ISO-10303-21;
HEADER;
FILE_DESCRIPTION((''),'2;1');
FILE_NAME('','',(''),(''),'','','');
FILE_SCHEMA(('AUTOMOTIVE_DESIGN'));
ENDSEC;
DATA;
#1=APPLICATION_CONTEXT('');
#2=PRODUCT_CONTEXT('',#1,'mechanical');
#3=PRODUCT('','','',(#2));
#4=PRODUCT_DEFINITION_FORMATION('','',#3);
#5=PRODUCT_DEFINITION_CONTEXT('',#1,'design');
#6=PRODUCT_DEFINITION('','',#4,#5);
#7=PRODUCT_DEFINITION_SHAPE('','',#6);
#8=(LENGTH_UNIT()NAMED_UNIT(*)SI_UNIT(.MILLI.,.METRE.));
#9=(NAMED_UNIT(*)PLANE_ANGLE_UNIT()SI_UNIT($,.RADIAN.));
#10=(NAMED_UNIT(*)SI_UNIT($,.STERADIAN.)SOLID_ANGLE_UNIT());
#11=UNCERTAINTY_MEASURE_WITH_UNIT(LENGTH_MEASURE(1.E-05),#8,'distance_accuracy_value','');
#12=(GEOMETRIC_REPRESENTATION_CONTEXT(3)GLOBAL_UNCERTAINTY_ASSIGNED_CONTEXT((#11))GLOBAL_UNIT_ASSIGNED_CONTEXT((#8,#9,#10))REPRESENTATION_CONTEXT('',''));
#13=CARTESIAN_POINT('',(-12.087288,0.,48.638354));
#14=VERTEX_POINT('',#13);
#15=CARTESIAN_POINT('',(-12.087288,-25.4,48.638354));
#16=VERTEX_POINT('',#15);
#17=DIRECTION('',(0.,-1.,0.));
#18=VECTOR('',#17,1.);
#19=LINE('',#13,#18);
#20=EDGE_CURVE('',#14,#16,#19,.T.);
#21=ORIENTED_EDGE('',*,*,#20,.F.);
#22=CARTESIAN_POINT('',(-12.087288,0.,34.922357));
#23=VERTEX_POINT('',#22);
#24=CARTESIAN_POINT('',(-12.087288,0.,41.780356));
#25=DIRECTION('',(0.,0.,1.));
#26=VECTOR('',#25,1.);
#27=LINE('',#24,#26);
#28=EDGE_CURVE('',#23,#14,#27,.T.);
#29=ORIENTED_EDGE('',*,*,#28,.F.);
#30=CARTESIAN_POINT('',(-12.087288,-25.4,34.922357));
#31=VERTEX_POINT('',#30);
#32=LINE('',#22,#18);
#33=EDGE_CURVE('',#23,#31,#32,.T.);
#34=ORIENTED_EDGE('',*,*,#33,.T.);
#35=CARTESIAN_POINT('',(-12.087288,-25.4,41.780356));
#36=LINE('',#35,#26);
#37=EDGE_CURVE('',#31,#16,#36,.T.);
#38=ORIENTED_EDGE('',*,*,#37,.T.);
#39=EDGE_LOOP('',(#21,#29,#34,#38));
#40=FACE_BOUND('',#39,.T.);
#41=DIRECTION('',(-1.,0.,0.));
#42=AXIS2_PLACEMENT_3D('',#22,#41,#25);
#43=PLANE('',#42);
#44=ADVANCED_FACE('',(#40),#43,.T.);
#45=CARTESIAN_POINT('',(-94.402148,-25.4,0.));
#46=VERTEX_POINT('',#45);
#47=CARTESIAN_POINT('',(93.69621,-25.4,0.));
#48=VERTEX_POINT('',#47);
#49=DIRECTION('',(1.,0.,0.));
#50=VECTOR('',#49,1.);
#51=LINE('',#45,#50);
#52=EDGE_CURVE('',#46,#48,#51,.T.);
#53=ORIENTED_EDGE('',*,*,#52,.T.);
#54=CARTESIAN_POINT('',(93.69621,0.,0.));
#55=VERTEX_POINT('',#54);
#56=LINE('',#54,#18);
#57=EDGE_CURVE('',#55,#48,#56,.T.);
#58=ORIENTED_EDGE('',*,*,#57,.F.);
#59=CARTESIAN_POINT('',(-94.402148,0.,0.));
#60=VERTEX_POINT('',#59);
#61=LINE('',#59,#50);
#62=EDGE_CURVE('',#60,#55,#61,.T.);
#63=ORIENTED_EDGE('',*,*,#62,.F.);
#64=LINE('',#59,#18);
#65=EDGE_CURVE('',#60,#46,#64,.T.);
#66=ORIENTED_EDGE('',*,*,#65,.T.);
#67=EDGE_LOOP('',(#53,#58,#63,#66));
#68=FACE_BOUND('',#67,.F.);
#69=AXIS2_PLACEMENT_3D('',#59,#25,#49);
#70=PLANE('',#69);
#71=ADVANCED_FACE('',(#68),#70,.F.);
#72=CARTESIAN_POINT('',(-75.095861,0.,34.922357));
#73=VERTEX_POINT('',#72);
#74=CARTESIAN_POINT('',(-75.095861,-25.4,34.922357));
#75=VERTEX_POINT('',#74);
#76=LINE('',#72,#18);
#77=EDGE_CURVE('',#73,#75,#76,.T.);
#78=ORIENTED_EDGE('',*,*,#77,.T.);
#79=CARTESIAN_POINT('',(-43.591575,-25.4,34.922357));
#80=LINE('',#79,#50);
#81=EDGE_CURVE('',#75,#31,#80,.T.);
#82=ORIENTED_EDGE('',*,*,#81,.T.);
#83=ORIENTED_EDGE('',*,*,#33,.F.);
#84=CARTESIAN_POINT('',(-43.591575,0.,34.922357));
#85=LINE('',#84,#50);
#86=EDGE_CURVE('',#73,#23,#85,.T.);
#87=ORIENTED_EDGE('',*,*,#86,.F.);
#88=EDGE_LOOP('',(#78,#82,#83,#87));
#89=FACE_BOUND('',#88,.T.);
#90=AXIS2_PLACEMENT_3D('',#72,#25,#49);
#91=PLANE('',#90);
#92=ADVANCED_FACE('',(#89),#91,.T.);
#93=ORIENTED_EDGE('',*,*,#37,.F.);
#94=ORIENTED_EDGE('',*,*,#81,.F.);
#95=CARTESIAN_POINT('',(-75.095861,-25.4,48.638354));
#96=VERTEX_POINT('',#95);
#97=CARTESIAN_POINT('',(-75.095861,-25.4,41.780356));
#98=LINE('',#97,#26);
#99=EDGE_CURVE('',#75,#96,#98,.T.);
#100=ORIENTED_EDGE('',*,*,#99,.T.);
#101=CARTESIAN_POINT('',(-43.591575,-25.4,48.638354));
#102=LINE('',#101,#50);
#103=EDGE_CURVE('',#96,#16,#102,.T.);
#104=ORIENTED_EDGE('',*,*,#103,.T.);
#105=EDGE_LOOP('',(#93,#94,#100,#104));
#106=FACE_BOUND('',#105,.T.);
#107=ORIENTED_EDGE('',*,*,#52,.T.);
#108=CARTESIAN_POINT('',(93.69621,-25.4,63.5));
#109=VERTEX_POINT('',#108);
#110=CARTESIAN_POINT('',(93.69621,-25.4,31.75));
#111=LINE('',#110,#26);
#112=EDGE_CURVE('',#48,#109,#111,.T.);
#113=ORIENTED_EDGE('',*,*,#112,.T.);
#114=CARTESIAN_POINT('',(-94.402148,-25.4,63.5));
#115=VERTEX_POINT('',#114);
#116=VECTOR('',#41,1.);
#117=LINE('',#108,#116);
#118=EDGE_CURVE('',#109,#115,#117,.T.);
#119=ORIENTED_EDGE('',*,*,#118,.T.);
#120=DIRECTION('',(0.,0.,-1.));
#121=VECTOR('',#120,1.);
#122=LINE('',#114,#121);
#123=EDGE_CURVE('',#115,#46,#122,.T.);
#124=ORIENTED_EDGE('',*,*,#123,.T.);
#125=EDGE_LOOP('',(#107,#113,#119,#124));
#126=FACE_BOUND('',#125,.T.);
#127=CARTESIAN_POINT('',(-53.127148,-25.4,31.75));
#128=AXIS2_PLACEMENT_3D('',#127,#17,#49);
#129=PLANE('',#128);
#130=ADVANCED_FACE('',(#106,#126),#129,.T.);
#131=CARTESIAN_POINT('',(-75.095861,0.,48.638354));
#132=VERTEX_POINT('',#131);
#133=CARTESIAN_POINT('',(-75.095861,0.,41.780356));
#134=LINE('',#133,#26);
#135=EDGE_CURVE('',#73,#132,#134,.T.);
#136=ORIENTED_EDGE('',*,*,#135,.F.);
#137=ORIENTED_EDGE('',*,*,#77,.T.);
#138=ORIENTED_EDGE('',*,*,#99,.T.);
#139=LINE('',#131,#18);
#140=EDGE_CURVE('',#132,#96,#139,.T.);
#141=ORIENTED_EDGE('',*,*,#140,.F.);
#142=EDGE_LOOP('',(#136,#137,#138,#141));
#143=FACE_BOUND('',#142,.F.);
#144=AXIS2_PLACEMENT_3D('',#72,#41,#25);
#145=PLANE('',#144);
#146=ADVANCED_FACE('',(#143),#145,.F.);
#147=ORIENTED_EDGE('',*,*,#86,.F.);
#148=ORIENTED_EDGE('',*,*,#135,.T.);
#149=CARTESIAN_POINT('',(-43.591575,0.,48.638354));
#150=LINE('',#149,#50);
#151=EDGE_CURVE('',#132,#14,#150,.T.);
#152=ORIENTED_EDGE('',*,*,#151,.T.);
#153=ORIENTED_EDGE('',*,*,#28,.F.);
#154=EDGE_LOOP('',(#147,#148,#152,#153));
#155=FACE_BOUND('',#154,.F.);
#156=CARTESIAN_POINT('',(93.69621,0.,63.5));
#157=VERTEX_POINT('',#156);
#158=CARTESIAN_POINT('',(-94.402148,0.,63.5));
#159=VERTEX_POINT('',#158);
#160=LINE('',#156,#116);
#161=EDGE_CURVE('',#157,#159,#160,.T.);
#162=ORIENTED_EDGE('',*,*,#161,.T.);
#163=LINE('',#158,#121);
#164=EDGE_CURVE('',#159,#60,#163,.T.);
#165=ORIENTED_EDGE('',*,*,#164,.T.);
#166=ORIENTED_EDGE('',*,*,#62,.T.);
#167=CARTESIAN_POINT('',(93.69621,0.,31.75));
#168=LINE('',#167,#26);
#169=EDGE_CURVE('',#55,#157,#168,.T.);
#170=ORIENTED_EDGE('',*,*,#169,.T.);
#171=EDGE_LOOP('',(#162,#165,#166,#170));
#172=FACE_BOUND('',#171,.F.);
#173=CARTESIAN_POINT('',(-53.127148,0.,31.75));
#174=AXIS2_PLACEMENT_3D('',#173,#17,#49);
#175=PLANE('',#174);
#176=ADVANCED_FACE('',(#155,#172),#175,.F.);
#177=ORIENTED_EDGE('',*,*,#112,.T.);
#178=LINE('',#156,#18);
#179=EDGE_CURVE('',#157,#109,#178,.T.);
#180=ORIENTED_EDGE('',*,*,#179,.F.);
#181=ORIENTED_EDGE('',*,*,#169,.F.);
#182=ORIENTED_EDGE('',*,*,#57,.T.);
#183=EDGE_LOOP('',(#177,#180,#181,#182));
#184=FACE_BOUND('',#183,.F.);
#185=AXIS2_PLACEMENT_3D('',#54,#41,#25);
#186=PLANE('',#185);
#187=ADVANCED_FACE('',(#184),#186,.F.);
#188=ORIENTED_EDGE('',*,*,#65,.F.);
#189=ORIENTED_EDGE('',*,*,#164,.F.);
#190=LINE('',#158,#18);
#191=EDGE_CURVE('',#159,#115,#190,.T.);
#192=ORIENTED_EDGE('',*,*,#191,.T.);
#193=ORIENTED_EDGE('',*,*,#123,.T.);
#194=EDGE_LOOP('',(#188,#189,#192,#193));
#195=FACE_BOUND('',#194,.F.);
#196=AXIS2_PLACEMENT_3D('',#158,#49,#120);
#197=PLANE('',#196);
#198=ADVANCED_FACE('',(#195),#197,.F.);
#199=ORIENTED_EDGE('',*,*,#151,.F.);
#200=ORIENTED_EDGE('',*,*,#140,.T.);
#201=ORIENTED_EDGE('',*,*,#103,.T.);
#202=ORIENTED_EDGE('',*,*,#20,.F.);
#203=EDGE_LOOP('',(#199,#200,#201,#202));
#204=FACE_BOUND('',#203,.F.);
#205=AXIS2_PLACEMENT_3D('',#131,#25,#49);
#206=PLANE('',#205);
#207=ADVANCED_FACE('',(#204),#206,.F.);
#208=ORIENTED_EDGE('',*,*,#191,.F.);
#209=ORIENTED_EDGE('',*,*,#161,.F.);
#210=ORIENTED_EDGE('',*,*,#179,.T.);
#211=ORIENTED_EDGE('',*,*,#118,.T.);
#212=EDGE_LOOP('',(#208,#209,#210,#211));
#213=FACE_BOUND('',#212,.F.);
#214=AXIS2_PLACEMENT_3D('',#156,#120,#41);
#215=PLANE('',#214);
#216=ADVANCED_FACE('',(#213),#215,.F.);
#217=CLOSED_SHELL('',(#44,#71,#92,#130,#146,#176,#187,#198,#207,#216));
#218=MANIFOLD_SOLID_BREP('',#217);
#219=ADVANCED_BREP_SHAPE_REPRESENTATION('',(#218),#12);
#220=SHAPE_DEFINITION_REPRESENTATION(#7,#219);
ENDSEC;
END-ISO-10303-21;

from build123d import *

# Parameters (mm, degrees)
F0_W     = 63.008573
F0_H     = 13.715997
F0_W_2   = 105.548358
F0_H_2   = 63.5
F1_DEPTH = 25.4


with BuildPart() as f1:
    # F0 (on Front) → F1 (new body)
    with BuildSketch(Plane.XZ):
        Polygon((-94.402148, 63.5), (-94.402148, 0), (-75.095862, 0), (-56.045862, 0), (-11.852148, 0), (-11.852148, 63.5), align=None)
        with Locations((-43.591575, 41.780356)):
            Rectangle(F0_W, F0_H, mode=Mode.SUBTRACT)
        with Locations((40.922031, 31.75)):
            Rectangle(F0_W_2, F0_H_2)
    extrude(amount=F1_DEPTH)


solid = f1.part
